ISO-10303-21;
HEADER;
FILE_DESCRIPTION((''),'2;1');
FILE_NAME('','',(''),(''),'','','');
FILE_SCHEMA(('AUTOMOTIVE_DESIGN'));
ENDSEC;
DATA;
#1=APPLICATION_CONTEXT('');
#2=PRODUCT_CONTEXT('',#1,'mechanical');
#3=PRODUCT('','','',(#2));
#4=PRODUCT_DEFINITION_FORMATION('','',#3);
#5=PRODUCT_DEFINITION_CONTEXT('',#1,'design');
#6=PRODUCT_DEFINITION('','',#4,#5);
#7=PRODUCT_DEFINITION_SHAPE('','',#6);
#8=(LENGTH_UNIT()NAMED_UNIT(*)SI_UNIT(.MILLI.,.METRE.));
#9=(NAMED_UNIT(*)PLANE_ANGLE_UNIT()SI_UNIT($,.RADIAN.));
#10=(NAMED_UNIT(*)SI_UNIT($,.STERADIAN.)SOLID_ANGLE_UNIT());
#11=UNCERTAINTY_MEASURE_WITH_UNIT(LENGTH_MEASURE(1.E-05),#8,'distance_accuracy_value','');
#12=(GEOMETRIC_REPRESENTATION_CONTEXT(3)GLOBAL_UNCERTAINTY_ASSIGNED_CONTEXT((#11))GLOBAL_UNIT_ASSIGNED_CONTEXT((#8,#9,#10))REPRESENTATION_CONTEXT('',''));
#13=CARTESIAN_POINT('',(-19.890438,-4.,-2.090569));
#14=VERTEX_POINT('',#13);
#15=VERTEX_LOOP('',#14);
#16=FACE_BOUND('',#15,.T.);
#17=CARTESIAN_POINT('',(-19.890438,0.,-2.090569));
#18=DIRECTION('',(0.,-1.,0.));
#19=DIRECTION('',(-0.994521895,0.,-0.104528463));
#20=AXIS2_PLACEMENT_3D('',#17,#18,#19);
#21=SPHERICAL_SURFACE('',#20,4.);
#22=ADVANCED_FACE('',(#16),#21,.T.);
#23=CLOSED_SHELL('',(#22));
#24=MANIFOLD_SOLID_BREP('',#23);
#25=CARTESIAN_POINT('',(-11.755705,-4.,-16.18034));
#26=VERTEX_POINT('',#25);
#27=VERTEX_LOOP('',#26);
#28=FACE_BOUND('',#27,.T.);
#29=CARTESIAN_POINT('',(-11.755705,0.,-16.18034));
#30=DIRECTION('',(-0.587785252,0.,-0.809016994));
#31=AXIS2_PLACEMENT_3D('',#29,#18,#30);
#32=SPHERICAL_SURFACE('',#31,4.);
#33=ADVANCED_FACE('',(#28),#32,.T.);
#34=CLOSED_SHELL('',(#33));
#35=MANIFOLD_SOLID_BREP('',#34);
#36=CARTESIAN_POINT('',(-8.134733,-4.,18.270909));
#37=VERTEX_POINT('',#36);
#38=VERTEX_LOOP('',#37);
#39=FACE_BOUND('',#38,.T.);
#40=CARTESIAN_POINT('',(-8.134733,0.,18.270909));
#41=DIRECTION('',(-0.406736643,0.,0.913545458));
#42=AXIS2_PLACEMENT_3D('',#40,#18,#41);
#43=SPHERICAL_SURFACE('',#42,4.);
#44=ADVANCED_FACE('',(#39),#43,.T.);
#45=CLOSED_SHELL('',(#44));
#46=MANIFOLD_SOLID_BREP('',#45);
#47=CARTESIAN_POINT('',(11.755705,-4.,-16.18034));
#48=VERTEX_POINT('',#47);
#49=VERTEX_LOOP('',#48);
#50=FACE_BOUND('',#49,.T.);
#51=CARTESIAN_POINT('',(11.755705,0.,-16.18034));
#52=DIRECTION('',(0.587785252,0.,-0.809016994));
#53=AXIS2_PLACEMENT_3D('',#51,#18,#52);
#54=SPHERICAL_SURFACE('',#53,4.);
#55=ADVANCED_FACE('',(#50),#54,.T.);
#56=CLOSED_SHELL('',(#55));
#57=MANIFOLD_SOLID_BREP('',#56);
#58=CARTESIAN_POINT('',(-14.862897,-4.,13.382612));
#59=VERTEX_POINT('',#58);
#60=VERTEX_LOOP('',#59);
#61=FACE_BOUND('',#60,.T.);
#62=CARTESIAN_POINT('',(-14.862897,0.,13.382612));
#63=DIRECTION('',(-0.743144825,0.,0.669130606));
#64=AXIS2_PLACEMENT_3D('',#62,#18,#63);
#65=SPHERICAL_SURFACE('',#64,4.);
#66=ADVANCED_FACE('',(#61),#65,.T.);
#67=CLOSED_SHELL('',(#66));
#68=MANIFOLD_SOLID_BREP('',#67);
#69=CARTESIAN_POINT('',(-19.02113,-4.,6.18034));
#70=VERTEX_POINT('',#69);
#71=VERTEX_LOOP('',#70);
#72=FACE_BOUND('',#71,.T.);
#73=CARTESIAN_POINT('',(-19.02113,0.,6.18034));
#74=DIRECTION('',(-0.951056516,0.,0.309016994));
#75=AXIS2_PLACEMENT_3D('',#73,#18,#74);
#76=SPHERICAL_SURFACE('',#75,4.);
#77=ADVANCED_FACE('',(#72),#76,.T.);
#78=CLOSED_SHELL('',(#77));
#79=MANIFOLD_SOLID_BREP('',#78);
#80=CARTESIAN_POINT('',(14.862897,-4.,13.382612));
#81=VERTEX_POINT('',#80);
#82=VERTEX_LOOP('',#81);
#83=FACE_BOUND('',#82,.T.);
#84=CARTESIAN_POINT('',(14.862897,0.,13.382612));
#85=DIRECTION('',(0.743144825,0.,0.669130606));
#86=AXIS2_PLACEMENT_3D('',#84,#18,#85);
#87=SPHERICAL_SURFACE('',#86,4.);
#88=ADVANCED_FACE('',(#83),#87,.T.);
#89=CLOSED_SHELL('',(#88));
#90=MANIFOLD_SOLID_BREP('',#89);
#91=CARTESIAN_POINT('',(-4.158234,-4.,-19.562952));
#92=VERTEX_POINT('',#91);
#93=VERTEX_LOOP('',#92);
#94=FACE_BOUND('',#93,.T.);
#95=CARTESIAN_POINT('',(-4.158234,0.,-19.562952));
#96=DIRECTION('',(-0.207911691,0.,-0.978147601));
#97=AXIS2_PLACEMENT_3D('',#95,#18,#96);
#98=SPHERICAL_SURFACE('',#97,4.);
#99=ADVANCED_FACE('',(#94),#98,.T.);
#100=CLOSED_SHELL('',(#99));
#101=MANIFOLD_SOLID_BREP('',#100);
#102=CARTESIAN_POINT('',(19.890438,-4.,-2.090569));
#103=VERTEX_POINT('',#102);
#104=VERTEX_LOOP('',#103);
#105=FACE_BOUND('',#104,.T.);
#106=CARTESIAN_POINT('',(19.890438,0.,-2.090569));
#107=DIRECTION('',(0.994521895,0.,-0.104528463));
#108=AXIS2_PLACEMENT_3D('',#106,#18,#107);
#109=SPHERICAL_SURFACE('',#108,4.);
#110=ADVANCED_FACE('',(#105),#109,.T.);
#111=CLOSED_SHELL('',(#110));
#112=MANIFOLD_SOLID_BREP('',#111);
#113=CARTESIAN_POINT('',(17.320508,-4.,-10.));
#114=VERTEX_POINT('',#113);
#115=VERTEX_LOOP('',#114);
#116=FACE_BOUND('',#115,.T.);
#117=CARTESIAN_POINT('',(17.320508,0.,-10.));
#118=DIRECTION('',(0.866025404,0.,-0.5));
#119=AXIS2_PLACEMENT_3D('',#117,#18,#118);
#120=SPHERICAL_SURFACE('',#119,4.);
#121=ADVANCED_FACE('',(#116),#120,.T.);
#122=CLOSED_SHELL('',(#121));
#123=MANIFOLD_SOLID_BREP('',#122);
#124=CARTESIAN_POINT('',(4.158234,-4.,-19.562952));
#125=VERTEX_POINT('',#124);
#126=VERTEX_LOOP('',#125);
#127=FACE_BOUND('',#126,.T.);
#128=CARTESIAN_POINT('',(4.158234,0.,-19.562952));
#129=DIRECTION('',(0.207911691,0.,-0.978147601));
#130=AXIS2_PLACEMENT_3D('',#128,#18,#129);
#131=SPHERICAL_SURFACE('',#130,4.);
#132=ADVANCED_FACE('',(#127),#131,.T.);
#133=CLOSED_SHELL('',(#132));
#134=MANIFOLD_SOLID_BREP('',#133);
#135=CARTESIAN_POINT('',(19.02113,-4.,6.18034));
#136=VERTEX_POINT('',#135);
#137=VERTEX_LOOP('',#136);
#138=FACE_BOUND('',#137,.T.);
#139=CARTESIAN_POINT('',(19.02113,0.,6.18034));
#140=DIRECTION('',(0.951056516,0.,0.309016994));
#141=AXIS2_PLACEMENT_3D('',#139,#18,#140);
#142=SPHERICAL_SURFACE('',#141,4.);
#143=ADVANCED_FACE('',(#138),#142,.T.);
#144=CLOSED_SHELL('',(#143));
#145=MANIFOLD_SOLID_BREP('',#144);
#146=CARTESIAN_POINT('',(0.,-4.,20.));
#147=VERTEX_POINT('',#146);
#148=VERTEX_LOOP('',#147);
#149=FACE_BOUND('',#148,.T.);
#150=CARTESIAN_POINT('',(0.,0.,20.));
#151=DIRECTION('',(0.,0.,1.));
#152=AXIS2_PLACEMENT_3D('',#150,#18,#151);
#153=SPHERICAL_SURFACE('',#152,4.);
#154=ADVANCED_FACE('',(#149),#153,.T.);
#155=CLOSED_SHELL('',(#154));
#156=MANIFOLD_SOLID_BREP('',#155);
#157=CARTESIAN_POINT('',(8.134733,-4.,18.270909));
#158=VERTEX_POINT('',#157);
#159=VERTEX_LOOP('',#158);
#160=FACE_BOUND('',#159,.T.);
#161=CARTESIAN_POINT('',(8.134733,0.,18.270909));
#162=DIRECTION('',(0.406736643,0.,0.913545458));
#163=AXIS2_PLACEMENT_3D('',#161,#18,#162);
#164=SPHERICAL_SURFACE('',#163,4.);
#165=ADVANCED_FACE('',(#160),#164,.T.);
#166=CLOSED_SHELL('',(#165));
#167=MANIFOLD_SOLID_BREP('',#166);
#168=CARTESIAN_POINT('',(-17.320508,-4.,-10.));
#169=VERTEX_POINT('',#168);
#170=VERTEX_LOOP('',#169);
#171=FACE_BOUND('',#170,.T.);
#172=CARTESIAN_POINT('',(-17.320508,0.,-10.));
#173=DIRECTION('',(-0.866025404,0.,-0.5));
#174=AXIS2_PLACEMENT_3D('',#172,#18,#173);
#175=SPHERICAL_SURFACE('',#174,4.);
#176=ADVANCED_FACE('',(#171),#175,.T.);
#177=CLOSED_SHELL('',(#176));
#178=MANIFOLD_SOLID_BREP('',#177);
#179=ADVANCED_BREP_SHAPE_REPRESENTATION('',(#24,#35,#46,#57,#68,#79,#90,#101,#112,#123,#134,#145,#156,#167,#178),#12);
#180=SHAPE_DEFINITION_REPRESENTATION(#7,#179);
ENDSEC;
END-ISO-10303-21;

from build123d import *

# Parameters (mm, degrees)
CIRPATTERN2_COUNT = 15


with BuildPart() as part:
    # Sketch2 → Revolve1 (revolve)
    with BuildSketch(Plane.YZ):
        with BuildLine():
            ThreePointArc((-4, 20), (0, 24), (4, 20))
            Line((4, 20), (-4, 20))
        make_face()
    revolve(axis=Axis((0, -4, 20), (0, 1, 0)))


with BuildPart() as cirpattern2_1:
    # CirPattern2: pattern copy
    add(part.part.rotate(Axis((0, 0, 0), (0, 1, 0)), 1 * 360 / CIRPATTERN2_COUNT))


with BuildPart() as cirpattern2_2:
    # CirPattern2: pattern copy
    add(part.part.rotate(Axis((0, 0, 0), (0, 1, 0)), 2 * 360 / CIRPATTERN2_COUNT))


with BuildPart() as cirpattern2_3:
    # CirPattern2: pattern copy
    add(part.part.rotate(Axis((0, 0, 0), (0, 1, 0)), 3 * 360 / CIRPATTERN2_COUNT))


with BuildPart() as cirpattern2_4:
    # CirPattern2: pattern copy
    add(part.part.rotate(Axis((0, 0, 0), (0, 1, 0)), 4 * 360 / CIRPATTERN2_COUNT))


with BuildPart() as cirpattern2_5:
    # CirPattern2: pattern copy
    add(part.part.rotate(Axis((0, 0, 0), (0, 1, 0)), 5 * 360 / CIRPATTERN2_COUNT))


with BuildPart() as cirpattern2_6:
    # CirPattern2: pattern copy
    add(part.part.rotate(Axis((0, 0, 0), (0, 1, 0)), 6 * 360 / CIRPATTERN2_COUNT))


with BuildPart() as cirpattern2_7:
    # CirPattern2: pattern copy
    add(part.part.rotate(Axis((0, 0, 0), (0, 1, 0)), 7 * 360 / CIRPATTERN2_COUNT))


with BuildPart() as cirpattern2_8:
    # CirPattern2: pattern copy
    add(part.part.rotate(Axis((0, 0, 0), (0, 1, 0)), 8 * 360 / CIRPATTERN2_COUNT))


with BuildPart() as cirpattern2_9:
    # CirPattern2: pattern copy
    add(part.part.rotate(Axis((0, 0, 0), (0, 1, 0)), 9 * 360 / CIRPATTERN2_COUNT))


with BuildPart() as cirpattern2_10:
    # CirPattern2: pattern copy
    add(part.part.rotate(Axis((0, 0, 0), (0, 1, 0)), 10 * 360 / CIRPATTERN2_COUNT))


with BuildPart() as cirpattern2_11:
    # CirPattern2: pattern copy
    add(part.part.rotate(Axis((0, 0, 0), (0, 1, 0)), 11 * 360 / CIRPATTERN2_COUNT))


with BuildPart() as cirpattern2_12:
    # CirPattern2: pattern copy
    add(part.part.rotate(Axis((0, 0, 0), (0, 1, 0)), 12 * 360 / CIRPATTERN2_COUNT))


with BuildPart() as cirpattern2_13:
    # CirPattern2: pattern copy
    add(part.part.rotate(Axis((0, 0, 0), (0, 1, 0)), 13 * 360 / CIRPATTERN2_COUNT))


with BuildPart() as cirpattern2_14:
    # CirPattern2: pattern copy
    add(part.part.rotate(Axis((0, 0, 0), (0, 1, 0)), 14 * 360 / CIRPATTERN2_COUNT))


solid = Compound([part.part, cirpattern2_1.part, cirpattern2_2.part, cirpattern2_3.part, cirpattern2_4.part, cirpattern2_5.part, cirpattern2_6.part, cirpattern2_7.part, cirpattern2_8.part, cirpattern2_9.part, cirpattern2_10.part, cirpattern2_11.part, cirpattern2_12.part, cirpattern2_13.part, cirpattern2_14.part])
